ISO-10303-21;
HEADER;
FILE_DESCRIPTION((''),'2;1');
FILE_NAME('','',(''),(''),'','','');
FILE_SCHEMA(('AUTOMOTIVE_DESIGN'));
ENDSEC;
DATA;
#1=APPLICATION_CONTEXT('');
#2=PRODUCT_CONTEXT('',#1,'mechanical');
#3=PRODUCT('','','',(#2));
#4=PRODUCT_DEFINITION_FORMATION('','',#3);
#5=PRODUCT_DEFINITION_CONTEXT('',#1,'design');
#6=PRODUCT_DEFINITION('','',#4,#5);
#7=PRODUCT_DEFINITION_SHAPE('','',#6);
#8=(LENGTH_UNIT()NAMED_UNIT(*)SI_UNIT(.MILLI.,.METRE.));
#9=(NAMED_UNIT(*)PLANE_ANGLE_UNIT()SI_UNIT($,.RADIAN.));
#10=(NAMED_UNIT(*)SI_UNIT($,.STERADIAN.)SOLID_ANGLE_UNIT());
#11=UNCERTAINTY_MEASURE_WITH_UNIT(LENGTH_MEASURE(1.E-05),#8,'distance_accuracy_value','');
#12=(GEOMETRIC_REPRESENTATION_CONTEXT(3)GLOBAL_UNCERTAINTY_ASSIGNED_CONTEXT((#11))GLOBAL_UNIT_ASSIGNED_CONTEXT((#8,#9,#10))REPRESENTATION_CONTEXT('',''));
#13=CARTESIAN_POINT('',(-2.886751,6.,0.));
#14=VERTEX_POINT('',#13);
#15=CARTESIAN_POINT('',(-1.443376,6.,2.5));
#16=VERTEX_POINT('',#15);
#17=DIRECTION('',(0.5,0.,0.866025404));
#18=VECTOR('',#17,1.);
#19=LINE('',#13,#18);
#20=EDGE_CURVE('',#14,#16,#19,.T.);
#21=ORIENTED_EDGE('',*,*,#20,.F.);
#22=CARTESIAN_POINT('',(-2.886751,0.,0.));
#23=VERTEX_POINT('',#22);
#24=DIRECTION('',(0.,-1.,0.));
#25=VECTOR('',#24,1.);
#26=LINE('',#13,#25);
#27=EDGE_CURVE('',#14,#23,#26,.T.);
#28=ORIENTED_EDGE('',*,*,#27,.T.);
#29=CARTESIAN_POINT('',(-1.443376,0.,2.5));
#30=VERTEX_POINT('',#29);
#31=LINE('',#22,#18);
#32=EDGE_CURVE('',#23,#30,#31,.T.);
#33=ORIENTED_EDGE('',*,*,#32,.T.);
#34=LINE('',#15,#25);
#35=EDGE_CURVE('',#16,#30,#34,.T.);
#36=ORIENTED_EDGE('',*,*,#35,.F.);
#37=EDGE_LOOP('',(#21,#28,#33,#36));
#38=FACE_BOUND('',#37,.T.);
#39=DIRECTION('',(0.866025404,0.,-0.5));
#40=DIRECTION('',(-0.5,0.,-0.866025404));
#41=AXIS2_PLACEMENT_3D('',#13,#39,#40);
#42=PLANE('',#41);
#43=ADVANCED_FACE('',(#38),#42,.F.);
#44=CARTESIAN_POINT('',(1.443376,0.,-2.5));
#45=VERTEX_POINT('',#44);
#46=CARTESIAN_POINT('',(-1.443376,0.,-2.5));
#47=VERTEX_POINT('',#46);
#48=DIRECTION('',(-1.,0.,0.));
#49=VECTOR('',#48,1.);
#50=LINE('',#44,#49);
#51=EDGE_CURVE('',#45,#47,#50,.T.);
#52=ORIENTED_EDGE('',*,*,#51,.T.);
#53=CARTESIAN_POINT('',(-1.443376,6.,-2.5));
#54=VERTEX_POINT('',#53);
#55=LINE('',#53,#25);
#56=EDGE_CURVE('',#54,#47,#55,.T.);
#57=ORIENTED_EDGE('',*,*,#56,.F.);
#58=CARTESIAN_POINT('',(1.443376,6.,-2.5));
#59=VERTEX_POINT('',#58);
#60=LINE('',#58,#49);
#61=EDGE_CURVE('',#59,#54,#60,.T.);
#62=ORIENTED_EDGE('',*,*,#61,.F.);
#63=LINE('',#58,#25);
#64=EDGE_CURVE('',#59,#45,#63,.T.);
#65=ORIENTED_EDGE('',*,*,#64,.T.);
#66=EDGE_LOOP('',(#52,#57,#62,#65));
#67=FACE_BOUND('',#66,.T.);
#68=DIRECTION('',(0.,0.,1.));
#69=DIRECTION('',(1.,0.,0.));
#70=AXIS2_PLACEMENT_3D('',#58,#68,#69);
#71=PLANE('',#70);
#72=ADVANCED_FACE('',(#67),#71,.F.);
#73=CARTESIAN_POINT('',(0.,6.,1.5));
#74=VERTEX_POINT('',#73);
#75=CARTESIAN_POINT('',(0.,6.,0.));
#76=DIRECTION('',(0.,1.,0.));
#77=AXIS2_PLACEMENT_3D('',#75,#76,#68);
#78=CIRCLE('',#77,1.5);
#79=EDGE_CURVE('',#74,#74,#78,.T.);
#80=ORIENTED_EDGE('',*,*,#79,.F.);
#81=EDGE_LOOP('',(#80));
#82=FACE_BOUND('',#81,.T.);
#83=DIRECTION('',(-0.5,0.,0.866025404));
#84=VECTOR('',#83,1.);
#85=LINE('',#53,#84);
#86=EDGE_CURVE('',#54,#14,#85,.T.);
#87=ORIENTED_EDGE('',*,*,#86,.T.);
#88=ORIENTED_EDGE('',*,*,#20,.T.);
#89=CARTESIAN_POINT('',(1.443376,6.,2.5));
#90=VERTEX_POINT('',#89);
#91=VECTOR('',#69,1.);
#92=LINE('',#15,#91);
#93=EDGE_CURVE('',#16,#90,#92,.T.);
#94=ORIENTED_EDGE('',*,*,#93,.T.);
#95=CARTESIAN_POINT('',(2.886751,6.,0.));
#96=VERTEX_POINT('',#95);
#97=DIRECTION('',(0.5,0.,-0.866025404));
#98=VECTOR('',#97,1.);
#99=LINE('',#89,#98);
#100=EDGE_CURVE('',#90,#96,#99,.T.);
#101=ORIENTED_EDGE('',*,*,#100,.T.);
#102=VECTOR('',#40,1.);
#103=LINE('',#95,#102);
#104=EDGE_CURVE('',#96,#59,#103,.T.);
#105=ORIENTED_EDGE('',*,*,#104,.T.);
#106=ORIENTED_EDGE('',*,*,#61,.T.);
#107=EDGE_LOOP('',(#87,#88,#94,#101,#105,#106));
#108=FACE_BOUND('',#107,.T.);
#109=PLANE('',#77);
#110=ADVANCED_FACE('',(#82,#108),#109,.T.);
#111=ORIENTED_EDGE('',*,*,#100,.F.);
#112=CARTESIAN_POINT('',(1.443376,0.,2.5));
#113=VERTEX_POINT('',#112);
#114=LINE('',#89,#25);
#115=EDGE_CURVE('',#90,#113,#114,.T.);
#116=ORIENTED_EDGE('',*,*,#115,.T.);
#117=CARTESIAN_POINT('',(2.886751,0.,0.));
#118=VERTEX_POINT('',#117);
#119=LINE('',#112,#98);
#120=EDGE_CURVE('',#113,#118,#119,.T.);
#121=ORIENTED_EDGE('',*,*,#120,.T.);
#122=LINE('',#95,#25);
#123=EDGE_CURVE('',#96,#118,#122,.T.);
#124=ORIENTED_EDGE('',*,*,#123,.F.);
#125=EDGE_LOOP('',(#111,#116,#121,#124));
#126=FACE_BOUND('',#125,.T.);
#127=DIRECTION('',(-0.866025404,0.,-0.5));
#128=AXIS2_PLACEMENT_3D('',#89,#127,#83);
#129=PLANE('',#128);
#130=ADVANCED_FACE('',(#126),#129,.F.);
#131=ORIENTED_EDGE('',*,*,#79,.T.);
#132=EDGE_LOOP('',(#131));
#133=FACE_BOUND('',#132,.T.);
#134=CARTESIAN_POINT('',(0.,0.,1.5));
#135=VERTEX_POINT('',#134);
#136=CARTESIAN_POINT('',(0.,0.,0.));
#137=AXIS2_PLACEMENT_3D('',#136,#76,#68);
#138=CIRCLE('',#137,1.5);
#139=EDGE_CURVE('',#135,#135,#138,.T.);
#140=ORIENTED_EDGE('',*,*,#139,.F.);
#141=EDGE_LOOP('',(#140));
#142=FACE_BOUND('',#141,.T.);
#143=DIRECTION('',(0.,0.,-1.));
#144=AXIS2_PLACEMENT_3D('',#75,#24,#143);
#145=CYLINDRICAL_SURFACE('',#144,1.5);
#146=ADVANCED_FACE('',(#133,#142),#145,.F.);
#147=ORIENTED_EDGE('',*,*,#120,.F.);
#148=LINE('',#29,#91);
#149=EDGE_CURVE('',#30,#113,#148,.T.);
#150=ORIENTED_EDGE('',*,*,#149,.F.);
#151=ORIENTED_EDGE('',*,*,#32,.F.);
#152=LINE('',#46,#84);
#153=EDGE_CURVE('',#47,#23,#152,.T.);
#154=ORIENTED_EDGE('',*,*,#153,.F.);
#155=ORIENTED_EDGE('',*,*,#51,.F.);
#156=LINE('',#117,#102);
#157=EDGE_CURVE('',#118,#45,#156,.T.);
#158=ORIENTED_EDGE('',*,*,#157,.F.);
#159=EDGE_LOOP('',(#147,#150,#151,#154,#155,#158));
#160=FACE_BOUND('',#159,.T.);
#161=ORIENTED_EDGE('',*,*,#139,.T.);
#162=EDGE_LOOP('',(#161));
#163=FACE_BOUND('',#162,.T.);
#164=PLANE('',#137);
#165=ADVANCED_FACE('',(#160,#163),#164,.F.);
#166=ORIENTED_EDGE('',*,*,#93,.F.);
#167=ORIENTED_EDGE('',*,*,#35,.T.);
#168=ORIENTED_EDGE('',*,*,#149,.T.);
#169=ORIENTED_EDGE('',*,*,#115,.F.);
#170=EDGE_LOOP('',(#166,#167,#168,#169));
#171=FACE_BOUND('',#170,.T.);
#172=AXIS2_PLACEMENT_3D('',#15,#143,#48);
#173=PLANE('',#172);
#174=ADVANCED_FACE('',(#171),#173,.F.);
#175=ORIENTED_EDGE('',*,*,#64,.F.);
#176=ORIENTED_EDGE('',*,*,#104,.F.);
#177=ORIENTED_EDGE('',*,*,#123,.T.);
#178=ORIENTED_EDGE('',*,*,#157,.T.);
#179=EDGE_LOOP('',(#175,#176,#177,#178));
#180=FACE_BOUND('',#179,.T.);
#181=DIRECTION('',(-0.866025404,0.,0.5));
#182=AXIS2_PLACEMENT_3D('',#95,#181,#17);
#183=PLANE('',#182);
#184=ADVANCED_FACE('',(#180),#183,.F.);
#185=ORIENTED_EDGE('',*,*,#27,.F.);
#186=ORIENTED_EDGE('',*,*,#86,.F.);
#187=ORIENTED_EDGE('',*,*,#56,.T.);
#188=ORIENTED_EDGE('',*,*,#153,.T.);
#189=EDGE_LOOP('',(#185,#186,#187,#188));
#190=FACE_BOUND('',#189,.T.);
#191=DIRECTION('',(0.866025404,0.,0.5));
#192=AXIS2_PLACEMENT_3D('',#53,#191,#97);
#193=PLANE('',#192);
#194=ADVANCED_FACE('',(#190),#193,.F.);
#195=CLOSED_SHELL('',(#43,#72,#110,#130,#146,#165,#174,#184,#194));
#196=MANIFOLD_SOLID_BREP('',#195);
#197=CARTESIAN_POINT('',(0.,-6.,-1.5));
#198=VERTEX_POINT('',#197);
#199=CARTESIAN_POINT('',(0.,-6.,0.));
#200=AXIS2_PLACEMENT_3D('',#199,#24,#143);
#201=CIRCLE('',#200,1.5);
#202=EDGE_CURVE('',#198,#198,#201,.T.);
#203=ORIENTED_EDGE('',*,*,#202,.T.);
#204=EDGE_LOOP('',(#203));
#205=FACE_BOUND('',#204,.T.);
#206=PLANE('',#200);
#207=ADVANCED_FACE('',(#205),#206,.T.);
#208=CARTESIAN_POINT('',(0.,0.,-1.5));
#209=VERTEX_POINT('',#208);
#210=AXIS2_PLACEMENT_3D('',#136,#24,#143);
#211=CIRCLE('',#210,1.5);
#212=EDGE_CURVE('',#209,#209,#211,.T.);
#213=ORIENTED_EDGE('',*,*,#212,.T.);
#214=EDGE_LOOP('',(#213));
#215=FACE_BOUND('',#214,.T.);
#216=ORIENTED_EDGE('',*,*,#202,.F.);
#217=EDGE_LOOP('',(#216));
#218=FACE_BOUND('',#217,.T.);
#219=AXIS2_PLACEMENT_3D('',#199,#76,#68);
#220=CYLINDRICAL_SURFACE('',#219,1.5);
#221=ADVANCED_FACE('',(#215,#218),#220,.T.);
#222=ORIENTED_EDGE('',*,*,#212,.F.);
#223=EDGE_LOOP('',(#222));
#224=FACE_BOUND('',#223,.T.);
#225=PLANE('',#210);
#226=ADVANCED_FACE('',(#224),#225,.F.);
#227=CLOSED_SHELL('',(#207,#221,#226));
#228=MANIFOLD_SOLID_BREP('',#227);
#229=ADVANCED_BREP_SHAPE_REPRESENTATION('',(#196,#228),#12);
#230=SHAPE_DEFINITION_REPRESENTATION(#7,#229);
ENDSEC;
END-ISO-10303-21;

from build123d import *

# Parameters (mm, degrees)
CROQUIS1_R              = 1.5
SALIENTE_EXTRUIR1_DEPTH = 6
CROQUIS2_R              = 1.5
SALIENTE_EXTRUIR2_DEPTH = 6


with BuildPart() as part:
    # Croquis1 → Saliente-Extruir1 (new body)
    with BuildSketch(Plane(origin=(0, 0, 0), x_dir=(1, 0, 0), z_dir=(0, 1, 0))):
        Polygon((1.443375673, -2.5), (2.886751346, 0), (1.443375673, 2.5), (-1.443375673, 2.5), (-2.886751346, 0), (-1.443375673, -2.5), align=None)
        Circle(CROQUIS1_R, mode=Mode.SUBTRACT)
    extrude(amount=SALIENTE_EXTRUIR1_DEPTH)


with BuildPart() as body_2:
    # Croquis2 → Saliente-Extruir2 (new body)
    with BuildSketch(Plane.XZ):
        Circle(CROQUIS2_R)
    extrude(amount=SALIENTE_EXTRUIR2_DEPTH)


solid = Compound([part.part, body_2.part])
